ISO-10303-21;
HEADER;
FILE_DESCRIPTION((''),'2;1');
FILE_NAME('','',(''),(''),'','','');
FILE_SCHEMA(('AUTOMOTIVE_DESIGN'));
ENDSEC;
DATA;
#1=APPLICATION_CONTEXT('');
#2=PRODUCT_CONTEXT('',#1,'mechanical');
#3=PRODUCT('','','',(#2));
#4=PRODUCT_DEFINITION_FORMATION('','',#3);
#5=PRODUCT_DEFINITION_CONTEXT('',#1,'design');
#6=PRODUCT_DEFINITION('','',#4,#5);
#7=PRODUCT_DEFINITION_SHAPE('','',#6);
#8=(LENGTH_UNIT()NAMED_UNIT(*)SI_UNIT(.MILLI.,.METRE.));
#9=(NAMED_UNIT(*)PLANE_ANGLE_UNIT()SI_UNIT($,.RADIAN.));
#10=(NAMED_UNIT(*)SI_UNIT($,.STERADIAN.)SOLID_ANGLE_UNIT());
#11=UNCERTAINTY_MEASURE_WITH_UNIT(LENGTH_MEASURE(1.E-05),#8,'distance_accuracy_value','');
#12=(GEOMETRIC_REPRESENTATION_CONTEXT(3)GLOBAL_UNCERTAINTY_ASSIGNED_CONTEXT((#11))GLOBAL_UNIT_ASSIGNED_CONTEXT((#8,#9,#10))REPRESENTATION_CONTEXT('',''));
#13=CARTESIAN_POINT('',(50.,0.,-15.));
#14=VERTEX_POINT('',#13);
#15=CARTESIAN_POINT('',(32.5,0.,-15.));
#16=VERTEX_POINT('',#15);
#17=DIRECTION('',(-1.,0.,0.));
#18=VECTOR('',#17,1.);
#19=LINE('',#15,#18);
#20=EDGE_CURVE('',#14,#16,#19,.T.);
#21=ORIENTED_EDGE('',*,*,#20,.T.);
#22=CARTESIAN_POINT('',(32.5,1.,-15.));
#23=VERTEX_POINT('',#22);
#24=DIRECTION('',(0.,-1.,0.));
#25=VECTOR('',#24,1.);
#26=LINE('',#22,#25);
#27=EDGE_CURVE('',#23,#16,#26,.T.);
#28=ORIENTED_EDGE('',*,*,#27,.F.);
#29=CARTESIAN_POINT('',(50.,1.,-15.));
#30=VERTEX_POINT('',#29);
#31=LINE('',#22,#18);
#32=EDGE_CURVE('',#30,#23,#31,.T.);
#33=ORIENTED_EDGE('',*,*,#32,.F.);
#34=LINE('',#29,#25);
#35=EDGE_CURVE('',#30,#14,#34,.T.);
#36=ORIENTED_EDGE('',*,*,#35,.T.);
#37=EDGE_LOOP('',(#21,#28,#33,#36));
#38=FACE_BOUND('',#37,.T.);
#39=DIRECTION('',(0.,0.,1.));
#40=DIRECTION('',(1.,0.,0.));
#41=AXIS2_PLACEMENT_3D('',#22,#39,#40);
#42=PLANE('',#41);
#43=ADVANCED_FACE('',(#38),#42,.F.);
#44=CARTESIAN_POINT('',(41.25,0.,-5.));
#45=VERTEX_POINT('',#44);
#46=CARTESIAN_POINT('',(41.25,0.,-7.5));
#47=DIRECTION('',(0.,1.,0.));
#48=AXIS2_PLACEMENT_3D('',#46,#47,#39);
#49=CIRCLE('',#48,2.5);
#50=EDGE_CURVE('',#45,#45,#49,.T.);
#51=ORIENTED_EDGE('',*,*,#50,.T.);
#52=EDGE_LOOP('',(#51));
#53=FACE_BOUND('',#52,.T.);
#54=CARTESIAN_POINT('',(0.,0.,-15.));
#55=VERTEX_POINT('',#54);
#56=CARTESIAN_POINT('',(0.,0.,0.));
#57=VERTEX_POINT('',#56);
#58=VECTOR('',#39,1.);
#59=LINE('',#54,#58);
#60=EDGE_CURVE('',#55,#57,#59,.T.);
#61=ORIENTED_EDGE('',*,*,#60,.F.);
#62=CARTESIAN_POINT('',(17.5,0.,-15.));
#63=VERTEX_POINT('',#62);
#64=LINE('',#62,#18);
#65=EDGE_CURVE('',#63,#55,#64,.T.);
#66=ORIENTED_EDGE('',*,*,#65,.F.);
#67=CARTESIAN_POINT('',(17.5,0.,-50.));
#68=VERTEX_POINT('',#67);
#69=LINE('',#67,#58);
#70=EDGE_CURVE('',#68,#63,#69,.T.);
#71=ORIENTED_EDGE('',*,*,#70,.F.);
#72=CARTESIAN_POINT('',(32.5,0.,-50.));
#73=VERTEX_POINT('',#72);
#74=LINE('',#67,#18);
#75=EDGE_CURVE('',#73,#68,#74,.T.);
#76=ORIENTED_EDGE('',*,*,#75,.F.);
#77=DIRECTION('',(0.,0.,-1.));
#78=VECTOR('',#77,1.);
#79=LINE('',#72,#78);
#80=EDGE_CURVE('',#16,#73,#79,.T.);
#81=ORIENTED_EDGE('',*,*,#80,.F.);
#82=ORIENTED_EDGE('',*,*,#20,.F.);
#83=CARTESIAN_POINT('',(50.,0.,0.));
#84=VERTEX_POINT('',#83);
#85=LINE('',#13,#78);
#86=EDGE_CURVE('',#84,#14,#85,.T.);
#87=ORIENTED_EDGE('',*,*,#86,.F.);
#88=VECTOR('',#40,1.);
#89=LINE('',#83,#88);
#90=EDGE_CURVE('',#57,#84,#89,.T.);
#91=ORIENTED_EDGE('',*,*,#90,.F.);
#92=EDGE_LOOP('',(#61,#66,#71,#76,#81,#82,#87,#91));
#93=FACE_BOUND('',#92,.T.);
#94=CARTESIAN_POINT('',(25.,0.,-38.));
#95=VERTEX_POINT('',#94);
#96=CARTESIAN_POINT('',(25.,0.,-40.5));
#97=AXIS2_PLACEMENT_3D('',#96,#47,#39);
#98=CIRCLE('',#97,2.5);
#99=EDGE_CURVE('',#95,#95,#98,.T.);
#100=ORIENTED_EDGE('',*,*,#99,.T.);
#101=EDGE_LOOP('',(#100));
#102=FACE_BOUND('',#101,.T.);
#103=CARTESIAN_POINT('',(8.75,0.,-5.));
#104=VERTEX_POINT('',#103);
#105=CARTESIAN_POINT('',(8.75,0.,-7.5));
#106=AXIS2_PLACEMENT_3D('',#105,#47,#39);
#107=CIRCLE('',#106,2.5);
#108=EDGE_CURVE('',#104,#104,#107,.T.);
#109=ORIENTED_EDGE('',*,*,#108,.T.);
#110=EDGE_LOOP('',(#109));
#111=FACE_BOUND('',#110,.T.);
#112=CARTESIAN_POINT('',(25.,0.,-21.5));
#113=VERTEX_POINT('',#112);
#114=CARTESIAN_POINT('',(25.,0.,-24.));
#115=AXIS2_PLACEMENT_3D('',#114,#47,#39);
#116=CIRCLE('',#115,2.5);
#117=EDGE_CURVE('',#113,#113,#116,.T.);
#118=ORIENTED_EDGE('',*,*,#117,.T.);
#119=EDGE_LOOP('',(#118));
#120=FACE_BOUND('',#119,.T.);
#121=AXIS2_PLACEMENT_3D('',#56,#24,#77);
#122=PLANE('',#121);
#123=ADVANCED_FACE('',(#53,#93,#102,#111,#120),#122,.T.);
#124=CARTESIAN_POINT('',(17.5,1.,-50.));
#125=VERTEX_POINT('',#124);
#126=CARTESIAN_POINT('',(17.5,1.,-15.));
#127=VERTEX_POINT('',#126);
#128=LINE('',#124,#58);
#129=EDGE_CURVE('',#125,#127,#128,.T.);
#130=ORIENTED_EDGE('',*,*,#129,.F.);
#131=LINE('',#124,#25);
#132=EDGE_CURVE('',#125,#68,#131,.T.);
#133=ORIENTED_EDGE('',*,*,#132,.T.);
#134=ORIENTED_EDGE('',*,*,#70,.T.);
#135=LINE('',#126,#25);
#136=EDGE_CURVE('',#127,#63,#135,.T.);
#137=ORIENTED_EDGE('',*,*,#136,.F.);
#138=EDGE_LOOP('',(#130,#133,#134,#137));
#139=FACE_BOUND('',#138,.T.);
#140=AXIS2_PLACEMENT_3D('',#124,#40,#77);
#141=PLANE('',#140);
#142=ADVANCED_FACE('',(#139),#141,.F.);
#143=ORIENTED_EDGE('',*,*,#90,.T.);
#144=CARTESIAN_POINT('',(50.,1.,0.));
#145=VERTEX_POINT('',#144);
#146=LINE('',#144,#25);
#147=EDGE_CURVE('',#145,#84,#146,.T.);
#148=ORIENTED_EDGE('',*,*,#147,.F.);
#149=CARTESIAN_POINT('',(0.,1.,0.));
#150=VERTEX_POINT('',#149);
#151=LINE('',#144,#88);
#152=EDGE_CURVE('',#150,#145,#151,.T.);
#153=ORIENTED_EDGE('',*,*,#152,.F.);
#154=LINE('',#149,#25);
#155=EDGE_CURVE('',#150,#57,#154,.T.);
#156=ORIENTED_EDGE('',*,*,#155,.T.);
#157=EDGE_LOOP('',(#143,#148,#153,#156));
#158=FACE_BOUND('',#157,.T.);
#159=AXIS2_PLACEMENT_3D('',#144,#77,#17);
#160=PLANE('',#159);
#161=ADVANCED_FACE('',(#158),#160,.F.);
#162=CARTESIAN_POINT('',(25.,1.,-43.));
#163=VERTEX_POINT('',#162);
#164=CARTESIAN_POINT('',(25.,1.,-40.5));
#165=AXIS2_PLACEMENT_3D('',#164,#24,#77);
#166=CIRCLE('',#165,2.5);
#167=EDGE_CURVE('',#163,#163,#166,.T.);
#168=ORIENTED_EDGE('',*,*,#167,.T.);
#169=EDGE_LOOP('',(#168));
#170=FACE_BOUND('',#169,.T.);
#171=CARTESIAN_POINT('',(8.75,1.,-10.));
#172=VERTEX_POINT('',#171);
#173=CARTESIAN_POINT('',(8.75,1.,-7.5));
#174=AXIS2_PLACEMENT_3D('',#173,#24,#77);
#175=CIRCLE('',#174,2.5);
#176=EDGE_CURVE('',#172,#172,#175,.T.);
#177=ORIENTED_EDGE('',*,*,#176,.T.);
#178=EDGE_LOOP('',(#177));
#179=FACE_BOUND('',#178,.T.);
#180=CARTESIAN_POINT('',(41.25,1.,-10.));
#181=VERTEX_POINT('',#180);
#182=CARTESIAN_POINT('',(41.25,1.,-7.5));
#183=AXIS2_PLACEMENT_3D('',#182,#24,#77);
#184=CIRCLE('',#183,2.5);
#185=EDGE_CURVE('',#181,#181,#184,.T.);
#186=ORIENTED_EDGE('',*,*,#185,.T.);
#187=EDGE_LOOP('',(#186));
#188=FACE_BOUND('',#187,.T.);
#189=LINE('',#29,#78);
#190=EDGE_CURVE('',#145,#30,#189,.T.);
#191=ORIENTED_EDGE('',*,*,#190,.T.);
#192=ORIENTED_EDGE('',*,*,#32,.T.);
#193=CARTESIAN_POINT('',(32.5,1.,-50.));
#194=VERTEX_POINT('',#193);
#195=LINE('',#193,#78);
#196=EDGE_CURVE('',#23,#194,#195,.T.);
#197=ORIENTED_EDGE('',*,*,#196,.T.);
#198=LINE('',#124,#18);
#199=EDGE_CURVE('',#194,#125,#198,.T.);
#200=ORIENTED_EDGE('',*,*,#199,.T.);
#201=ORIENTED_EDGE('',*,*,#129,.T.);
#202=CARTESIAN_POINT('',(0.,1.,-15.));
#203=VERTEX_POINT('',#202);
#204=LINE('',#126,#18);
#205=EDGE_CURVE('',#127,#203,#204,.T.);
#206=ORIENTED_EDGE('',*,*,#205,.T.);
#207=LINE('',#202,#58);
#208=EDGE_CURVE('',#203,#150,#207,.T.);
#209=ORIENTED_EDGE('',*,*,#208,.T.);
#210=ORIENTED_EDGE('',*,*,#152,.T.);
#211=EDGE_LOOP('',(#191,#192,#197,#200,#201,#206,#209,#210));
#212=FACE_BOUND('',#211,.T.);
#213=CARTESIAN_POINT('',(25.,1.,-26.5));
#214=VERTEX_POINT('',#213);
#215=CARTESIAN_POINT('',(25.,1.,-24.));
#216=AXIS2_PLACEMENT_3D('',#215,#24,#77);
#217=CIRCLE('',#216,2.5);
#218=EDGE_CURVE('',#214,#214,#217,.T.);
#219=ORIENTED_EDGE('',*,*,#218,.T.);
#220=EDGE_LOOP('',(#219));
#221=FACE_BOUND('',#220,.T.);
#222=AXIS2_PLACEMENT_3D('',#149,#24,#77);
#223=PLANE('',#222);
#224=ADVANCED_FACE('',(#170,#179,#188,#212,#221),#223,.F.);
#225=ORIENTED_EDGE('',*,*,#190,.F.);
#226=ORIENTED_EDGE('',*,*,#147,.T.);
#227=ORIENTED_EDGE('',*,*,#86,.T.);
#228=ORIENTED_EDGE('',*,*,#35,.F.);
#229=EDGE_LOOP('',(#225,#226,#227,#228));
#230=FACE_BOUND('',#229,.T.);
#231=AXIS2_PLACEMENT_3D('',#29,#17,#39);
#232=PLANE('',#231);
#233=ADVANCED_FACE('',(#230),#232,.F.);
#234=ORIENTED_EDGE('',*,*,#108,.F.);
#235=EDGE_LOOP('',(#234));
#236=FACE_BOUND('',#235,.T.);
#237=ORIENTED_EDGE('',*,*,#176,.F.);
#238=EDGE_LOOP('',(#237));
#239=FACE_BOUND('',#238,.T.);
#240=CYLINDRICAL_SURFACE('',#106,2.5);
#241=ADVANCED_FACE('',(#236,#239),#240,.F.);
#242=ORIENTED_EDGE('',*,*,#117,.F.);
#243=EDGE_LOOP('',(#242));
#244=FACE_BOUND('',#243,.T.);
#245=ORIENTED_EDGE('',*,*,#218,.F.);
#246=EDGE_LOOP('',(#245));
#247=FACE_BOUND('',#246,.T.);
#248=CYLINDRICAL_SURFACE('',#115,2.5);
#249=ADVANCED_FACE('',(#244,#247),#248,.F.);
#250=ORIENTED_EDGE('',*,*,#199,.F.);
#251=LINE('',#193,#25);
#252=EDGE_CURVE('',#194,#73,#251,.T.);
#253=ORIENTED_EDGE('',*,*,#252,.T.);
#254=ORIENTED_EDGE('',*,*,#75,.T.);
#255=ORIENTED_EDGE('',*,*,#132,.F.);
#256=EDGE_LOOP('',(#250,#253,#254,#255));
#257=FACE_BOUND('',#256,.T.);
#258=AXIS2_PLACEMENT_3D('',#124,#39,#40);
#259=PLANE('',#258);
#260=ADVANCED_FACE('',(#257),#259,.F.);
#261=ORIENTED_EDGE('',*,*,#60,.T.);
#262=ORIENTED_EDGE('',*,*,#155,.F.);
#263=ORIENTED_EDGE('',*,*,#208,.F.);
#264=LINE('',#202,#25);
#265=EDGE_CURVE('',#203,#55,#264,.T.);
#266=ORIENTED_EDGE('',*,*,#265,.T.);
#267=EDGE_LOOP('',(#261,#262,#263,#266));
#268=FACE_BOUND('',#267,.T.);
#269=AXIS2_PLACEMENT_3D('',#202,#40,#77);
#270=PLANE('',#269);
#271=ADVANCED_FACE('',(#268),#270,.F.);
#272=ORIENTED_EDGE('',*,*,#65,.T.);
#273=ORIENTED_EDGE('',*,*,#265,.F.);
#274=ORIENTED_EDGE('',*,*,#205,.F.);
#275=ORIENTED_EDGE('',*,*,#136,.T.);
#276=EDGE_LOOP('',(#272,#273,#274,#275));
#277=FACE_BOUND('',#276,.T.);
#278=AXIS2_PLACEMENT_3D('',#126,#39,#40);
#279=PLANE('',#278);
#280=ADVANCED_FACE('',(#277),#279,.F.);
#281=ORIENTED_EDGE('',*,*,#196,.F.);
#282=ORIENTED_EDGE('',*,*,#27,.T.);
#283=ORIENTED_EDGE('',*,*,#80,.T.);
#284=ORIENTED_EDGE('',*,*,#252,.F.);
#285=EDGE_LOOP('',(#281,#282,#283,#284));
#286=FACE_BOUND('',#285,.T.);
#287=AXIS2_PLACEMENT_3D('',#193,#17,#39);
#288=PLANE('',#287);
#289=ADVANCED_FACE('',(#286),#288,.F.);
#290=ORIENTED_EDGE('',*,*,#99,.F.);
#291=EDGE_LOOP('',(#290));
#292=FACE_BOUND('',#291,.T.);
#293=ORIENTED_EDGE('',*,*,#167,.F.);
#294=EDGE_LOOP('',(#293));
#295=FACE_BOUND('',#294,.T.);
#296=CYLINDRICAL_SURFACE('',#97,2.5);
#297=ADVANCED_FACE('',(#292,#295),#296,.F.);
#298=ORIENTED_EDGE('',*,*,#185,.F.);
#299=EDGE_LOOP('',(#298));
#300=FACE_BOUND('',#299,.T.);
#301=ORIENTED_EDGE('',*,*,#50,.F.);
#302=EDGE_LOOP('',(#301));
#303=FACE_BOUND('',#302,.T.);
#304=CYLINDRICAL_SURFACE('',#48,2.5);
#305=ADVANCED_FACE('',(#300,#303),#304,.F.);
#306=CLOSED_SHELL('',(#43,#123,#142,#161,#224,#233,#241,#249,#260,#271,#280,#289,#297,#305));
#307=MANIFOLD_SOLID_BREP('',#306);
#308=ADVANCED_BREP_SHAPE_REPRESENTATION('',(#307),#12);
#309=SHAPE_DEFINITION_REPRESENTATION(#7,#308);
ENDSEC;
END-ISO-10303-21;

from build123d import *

# Parameters (mm, degrees)
BOSS_EXTRUDE1_DEPTH     = 1
CUT_EXTRUDE1_DEPTH      = 71.717748833
CUT_EXTRUDE1_DEPTH_BACK = 71.717748833
SKETCH2_R               = 2.5


with BuildPart() as part:
    # Sketch1 → Boss-Extrude1 (new body)
    with BuildSketch(Plane(origin=(0, 0, 0), x_dir=(1, 0, 0), z_dir=(0, 1, 0))):
        Polygon((17.5, 50), (32.5, 50), (32.5, 15), (50, 15), (50, 0), (0, 0), (0, 15), (17.5, 15), align=None)
    extrude(amount=BOSS_EXTRUDE1_DEPTH)

    # Sketch2 → Cut-Extrude1 (cut, two sides: drawn at the far end of the back side and taken through both)
    with BuildSketch(Plane(origin=(0, 1, 0), x_dir=(1, 0, 0), z_dir=(0, 1, 0)).offset(-CUT_EXTRUDE1_DEPTH_BACK)):
        with Locations(Location((41.25, 7.5, 0), (0, 0, 270))):
            Circle(SKETCH2_R)
        with Locations(Location((25, 40.5, 0), (0, 0, 270))):
            Circle(SKETCH2_R)
        with Locations(Location((25, 24, 0), (0, 0, 270))):
            Circle(SKETCH2_R)
        with Locations(Location((8.75, 7.5, 0), (0, 0, 270))):
            Circle(SKETCH2_R)
    extrude(amount=CUT_EXTRUDE1_DEPTH + CUT_EXTRUDE1_DEPTH_BACK, mode=Mode.SUBTRACT)


solid = part.part
